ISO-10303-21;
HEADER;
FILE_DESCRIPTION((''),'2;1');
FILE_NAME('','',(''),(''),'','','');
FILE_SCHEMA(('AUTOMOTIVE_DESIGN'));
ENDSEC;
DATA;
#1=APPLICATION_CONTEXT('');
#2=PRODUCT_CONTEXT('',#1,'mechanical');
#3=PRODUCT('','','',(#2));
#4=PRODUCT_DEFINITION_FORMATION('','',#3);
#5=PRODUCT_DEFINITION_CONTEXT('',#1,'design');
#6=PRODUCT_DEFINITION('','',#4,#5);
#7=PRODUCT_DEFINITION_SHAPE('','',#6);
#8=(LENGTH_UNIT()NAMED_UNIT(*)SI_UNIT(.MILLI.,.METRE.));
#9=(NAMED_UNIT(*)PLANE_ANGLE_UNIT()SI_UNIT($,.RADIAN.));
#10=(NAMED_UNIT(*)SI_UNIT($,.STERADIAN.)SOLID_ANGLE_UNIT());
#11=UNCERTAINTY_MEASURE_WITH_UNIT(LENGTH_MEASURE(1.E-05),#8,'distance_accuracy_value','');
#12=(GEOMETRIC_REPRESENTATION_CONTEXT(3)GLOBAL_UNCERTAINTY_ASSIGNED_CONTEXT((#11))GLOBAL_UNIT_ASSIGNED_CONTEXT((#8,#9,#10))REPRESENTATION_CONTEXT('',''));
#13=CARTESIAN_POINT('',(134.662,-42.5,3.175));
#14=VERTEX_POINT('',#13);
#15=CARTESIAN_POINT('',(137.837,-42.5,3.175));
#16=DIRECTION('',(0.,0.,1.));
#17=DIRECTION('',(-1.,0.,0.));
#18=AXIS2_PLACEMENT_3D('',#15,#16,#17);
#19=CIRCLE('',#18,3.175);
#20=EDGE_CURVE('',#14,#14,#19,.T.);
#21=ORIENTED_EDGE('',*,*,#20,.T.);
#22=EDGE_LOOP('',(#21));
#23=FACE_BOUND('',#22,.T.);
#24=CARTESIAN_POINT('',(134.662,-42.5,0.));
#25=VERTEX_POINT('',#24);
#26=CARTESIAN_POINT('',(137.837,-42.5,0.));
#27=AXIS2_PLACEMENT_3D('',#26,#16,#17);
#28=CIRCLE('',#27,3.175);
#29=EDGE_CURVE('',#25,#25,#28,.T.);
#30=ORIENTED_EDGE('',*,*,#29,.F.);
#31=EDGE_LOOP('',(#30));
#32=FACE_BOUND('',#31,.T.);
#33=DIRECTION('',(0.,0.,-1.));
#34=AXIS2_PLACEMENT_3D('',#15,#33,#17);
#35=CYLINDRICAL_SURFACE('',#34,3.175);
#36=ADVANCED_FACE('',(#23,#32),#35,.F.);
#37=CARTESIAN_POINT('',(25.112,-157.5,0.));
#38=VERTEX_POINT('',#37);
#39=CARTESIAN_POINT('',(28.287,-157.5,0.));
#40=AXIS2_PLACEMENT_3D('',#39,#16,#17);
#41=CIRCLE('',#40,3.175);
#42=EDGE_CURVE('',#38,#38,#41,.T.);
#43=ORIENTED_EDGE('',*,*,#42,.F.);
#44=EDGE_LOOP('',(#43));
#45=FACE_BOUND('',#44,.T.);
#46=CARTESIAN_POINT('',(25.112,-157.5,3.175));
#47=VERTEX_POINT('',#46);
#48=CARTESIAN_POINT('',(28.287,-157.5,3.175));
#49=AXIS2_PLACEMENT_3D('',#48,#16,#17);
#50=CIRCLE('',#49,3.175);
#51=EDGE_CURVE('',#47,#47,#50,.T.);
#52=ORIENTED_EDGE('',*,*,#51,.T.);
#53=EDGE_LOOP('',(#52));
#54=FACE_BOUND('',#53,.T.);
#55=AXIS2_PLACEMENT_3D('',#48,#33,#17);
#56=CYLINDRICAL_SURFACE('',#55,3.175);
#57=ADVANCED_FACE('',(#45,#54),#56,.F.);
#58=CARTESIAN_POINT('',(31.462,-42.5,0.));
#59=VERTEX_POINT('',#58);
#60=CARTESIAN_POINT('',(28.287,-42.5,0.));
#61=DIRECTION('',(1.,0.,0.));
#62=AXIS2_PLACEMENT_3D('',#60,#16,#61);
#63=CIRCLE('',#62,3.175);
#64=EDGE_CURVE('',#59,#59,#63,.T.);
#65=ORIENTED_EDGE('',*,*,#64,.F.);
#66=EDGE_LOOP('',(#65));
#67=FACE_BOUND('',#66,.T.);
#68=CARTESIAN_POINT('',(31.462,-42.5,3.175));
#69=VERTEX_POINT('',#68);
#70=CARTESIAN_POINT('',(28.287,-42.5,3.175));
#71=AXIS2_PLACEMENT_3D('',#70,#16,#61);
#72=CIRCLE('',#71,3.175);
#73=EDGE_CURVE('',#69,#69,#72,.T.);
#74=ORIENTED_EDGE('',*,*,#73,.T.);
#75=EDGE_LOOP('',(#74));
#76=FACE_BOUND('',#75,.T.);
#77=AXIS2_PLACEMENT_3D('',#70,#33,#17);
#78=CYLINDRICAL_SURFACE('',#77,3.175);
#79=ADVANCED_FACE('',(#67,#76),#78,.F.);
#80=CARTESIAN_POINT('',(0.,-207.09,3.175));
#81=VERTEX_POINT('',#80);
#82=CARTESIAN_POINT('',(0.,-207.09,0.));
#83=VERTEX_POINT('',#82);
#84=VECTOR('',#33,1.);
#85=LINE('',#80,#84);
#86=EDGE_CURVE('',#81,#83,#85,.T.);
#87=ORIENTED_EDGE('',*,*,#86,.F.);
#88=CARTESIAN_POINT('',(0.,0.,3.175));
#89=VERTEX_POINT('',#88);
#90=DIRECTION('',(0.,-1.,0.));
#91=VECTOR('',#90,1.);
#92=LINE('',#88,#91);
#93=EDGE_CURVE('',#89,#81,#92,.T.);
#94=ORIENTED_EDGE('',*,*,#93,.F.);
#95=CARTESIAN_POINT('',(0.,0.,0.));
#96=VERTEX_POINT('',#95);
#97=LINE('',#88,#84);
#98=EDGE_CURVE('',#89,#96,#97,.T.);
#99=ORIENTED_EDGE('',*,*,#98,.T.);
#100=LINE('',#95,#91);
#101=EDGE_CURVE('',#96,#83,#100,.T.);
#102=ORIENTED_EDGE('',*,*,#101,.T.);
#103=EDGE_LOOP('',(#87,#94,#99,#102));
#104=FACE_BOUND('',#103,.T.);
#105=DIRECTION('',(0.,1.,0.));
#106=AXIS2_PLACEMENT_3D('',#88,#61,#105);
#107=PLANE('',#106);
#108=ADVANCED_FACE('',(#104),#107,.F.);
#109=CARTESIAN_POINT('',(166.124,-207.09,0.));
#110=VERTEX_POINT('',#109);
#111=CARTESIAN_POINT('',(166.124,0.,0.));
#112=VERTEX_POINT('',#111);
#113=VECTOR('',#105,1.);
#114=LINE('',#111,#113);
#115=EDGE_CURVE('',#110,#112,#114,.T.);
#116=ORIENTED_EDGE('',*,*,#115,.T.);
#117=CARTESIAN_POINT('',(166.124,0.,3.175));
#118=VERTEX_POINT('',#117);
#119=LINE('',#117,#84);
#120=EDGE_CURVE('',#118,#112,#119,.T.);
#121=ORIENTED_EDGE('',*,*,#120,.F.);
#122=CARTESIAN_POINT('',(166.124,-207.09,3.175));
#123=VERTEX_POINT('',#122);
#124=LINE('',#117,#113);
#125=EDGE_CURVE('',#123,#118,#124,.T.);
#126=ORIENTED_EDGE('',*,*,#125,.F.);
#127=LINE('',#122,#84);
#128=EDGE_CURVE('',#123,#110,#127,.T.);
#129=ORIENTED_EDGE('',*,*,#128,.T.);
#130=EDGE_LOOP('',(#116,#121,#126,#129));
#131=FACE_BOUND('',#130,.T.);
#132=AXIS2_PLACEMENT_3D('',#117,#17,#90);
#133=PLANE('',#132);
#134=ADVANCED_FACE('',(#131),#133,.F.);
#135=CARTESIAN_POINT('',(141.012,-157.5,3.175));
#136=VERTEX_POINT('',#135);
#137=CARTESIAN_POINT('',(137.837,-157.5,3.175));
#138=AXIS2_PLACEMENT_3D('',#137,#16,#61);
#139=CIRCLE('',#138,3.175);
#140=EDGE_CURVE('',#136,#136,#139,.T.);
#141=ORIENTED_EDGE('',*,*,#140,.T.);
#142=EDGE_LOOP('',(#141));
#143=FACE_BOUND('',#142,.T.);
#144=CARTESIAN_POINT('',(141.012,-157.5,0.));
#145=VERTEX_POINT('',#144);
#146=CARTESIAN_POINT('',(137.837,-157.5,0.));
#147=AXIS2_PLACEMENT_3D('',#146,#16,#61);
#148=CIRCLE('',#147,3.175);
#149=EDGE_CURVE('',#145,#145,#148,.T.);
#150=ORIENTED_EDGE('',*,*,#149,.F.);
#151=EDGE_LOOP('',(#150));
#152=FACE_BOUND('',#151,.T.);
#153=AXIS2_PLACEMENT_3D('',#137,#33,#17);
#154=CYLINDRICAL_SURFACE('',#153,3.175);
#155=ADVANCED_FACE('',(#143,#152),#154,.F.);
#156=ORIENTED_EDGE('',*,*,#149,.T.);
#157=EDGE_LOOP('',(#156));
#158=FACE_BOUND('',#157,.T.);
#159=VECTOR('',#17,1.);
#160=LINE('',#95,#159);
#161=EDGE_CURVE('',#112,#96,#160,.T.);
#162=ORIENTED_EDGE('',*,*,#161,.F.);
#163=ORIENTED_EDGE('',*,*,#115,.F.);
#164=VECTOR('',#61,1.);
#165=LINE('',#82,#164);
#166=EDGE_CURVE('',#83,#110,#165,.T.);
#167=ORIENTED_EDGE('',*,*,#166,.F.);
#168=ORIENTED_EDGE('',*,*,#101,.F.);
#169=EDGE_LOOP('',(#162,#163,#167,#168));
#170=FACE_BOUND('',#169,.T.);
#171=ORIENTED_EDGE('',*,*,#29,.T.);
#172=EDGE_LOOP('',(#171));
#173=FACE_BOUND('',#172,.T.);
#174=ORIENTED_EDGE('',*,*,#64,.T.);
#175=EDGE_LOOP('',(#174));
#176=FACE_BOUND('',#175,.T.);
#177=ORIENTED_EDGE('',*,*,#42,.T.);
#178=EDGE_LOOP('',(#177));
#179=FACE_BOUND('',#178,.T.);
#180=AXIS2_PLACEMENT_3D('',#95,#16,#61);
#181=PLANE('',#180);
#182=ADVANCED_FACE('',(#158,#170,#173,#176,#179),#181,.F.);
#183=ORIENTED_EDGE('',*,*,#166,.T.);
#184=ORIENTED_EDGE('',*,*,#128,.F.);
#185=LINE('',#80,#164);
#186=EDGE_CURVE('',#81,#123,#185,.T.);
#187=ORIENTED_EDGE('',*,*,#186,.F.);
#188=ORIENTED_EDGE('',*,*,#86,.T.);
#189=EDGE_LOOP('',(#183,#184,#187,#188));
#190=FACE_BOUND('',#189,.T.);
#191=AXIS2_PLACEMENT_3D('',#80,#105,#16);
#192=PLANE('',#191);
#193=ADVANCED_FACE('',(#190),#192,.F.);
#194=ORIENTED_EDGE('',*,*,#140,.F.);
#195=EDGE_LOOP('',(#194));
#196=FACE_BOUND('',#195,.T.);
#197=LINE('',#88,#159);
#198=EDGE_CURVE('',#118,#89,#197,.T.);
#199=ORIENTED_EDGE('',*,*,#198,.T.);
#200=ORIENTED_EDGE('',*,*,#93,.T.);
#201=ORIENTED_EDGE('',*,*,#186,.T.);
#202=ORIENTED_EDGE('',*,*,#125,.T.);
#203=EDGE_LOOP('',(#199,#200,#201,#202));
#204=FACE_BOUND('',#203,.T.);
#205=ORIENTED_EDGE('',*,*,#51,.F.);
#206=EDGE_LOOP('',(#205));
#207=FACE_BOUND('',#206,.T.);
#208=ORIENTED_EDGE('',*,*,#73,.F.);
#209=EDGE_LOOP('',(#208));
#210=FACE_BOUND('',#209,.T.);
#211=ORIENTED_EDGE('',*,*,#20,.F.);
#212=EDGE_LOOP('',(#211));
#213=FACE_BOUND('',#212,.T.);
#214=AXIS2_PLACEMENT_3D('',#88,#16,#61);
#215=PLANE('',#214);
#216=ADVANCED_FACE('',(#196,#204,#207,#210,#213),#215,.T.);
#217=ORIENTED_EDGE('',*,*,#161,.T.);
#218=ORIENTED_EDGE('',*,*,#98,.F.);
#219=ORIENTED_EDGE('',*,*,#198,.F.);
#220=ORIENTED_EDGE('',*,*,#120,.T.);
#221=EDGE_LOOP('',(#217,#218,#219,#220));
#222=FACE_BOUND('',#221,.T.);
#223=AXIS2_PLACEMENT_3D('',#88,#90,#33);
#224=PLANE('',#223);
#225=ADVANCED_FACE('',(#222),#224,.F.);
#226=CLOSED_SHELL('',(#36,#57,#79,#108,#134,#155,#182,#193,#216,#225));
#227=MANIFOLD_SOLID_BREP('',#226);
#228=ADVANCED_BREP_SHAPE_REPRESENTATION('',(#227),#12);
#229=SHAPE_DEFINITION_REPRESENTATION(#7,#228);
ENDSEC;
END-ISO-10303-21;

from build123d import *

# Parameters (mm, degrees)
SKETCH1_W           = 166.124
SKETCH1_H           = 207.09
SKETCH1_R           = 3.175
BOSS_EXTRUDE1_DEPTH = 3.175


with BuildPart() as part:
    # Sketch1 → Boss-Extrude1 (new body)
    with BuildSketch(Plane.XY):
        with Locations((83.062, -103.545)):
            Rectangle(SKETCH1_W, SKETCH1_H)
        with Locations((28.287, -42.5)):
            Circle(SKETCH1_R, mode=Mode.SUBTRACT)
        with Locations(Location((137.837, -42.5, 0), (0, 0, 180))):
            Circle(SKETCH1_R, mode=Mode.SUBTRACT)
        with Locations(Location((28.287, -157.5, 0), (0, 0, 180))):
            Circle(SKETCH1_R, mode=Mode.SUBTRACT)
        with Locations((137.837, -157.5)):
            Circle(SKETCH1_R, mode=Mode.SUBTRACT)
    extrude(amount=BOSS_EXTRUDE1_DEPTH)


solid = part.part
